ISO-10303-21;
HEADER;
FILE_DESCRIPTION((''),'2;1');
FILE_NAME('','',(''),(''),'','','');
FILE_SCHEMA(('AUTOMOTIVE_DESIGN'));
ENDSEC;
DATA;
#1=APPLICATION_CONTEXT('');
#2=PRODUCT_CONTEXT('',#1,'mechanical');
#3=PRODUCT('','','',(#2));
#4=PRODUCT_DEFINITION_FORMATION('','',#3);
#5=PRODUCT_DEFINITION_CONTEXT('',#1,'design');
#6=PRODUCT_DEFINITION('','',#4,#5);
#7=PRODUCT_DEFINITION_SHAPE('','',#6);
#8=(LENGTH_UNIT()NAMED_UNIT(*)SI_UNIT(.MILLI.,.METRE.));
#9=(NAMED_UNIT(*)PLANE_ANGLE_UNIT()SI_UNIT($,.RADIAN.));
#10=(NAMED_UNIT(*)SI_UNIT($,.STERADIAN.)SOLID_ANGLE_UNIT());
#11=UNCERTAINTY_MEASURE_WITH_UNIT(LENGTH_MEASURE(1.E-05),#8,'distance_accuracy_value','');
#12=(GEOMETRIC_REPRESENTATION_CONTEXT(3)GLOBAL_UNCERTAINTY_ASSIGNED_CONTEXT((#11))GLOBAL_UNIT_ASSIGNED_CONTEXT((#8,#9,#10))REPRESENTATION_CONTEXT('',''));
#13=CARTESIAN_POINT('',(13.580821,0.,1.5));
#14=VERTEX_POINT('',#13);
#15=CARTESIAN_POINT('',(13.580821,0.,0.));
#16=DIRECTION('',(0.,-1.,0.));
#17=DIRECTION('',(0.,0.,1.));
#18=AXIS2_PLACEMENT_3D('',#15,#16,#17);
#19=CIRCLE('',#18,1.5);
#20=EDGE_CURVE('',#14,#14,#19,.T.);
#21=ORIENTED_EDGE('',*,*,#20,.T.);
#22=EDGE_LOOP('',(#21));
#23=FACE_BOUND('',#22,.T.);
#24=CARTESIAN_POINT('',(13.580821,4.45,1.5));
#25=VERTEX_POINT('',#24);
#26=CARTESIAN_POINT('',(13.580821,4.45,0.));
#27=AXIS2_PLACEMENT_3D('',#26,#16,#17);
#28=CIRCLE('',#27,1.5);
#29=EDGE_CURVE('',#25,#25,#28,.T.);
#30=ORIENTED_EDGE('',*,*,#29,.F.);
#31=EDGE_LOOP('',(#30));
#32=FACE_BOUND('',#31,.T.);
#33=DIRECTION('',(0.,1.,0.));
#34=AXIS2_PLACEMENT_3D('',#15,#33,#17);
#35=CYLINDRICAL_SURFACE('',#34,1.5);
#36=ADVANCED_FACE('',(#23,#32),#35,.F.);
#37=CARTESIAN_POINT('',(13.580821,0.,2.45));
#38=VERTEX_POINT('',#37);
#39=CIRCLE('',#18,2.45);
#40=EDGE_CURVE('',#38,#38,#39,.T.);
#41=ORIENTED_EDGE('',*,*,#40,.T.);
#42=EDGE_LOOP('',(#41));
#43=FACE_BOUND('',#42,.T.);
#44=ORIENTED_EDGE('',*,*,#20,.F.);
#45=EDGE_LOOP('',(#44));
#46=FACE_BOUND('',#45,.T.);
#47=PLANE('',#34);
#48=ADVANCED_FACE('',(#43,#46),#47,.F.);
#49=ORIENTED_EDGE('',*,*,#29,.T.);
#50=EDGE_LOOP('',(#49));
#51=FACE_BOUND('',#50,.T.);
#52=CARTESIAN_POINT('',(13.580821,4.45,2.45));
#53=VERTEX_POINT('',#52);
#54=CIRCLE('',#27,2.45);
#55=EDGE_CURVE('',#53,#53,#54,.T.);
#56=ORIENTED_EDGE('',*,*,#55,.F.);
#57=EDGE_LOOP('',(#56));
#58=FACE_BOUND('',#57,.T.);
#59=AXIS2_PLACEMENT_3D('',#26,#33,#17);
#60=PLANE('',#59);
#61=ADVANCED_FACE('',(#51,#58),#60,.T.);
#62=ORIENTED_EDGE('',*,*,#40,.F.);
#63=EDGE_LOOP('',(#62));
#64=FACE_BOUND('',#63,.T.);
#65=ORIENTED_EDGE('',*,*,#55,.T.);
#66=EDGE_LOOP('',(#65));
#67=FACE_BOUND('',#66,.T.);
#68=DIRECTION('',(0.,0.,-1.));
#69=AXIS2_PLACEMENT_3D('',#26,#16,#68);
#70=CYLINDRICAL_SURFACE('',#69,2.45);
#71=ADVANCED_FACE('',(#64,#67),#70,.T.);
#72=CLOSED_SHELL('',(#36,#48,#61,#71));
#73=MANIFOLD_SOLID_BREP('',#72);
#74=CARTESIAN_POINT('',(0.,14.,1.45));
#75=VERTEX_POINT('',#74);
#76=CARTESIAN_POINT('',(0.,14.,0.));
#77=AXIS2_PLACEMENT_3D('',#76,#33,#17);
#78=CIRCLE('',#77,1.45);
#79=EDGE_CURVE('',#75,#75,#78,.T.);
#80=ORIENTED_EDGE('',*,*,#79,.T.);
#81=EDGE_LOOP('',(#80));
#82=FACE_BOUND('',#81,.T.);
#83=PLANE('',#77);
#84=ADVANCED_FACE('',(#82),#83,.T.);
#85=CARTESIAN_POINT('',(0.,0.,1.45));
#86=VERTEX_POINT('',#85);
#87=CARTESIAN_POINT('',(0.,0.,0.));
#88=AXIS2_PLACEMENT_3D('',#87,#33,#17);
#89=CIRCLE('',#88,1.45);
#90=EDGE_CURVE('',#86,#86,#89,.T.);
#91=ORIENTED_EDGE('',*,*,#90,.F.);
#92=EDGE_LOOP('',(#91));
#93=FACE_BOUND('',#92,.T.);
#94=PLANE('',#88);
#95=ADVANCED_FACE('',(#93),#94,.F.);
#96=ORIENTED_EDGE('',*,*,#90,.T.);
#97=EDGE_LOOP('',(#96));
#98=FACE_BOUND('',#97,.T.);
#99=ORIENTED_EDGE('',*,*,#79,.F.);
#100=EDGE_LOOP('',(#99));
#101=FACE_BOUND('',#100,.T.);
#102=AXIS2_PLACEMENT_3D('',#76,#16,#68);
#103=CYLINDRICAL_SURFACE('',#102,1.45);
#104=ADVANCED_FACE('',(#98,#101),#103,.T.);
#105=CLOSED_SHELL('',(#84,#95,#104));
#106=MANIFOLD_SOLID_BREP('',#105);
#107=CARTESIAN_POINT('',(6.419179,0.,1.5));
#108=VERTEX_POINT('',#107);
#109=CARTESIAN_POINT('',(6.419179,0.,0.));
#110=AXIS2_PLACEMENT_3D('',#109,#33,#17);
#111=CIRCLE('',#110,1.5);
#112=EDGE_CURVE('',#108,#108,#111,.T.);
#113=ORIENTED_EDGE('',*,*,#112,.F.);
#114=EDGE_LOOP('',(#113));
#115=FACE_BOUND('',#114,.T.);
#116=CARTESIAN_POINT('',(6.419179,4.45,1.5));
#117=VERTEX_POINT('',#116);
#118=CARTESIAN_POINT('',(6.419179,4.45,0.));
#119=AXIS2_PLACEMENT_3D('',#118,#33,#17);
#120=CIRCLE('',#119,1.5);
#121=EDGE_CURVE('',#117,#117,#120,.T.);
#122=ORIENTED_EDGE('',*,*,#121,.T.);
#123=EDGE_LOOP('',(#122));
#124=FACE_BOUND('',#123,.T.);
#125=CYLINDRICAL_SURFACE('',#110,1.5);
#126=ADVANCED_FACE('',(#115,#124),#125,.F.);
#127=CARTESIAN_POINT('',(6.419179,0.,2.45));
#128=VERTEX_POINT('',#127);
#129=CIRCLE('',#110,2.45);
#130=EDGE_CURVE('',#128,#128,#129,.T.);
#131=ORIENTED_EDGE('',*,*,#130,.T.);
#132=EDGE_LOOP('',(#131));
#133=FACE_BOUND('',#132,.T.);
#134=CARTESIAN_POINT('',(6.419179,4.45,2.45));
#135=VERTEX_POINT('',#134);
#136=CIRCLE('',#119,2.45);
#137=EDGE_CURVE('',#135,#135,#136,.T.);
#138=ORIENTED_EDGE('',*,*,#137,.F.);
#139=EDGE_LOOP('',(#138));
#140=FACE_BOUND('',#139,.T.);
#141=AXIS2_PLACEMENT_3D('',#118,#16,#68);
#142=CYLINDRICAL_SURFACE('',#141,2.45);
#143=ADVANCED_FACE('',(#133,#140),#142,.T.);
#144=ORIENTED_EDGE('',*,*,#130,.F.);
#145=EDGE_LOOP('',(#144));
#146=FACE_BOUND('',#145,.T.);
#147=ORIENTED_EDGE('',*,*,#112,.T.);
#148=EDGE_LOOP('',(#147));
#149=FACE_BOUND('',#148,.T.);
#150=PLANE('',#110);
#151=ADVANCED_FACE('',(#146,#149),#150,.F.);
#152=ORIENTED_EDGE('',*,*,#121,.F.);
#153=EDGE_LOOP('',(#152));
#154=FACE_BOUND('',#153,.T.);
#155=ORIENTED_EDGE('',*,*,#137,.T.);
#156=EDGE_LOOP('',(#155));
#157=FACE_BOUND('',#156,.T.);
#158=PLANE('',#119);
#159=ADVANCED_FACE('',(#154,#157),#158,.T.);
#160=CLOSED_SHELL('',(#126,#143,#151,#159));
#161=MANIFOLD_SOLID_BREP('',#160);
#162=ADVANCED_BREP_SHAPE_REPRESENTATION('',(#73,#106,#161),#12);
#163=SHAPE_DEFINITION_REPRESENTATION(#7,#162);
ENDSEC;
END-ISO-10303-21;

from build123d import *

# Parameters (mm, degrees)
SKETCH1_R           = 1.45
BOSS_EXTRUDE1_DEPTH = 14
SKETCH2_R           = 2.45
BOSS_EXTRUDE2_DEPTH = 4.45
SKETCH3_R           = 1.5
CUT_EXTRUDE1_DEPTH  = 14.261498167


with BuildPart() as part:
    # Sketch1 → Boss-Extrude1 (new body)
    with BuildSketch(Plane(origin=(0, 0, 0), x_dir=(1, 0, 0), z_dir=(0, 1, 0))):
        with Locations(Location((0, 0, 0), (0, 0, 270))):
            Circle(SKETCH1_R)
    extrude(amount=BOSS_EXTRUDE1_DEPTH)


with BuildPart() as body_2:
    # Sketch2 → Boss-Extrude2 (new body)
    with BuildSketch(Plane(origin=(0, 0, 0), x_dir=(1, 0, 0), z_dir=(0, 1, 0))):
        with Locations(Location((6.419178859, 0, 0), (0, 0, 270))):
            Circle(SKETCH2_R)
    extrude(amount=BOSS_EXTRUDE2_DEPTH)

    # Sketch3 → Cut-Extrude1 (cut, through all)
    with BuildSketch(Plane(origin=(0, 4.45, 0), x_dir=(1, 0, 0), z_dir=(0, 1, 0))):
        with Locations(Location((6.419178859, 0, 0), (0, 0, 270))):
            Circle(SKETCH3_R)
    extrude(amount=-CUT_EXTRUDE1_DEPTH, mode=Mode.SUBTRACT)


with BuildPart() as body_3:
    # Mirror23: mirrored copy
    add(body_2.part.mirror(Plane(origin=(10, 0, 0), x_dir=(0, 0, 1), z_dir=(1, 0, 0))))


solid = Compound([part.part, body_2.part, body_3.part])
